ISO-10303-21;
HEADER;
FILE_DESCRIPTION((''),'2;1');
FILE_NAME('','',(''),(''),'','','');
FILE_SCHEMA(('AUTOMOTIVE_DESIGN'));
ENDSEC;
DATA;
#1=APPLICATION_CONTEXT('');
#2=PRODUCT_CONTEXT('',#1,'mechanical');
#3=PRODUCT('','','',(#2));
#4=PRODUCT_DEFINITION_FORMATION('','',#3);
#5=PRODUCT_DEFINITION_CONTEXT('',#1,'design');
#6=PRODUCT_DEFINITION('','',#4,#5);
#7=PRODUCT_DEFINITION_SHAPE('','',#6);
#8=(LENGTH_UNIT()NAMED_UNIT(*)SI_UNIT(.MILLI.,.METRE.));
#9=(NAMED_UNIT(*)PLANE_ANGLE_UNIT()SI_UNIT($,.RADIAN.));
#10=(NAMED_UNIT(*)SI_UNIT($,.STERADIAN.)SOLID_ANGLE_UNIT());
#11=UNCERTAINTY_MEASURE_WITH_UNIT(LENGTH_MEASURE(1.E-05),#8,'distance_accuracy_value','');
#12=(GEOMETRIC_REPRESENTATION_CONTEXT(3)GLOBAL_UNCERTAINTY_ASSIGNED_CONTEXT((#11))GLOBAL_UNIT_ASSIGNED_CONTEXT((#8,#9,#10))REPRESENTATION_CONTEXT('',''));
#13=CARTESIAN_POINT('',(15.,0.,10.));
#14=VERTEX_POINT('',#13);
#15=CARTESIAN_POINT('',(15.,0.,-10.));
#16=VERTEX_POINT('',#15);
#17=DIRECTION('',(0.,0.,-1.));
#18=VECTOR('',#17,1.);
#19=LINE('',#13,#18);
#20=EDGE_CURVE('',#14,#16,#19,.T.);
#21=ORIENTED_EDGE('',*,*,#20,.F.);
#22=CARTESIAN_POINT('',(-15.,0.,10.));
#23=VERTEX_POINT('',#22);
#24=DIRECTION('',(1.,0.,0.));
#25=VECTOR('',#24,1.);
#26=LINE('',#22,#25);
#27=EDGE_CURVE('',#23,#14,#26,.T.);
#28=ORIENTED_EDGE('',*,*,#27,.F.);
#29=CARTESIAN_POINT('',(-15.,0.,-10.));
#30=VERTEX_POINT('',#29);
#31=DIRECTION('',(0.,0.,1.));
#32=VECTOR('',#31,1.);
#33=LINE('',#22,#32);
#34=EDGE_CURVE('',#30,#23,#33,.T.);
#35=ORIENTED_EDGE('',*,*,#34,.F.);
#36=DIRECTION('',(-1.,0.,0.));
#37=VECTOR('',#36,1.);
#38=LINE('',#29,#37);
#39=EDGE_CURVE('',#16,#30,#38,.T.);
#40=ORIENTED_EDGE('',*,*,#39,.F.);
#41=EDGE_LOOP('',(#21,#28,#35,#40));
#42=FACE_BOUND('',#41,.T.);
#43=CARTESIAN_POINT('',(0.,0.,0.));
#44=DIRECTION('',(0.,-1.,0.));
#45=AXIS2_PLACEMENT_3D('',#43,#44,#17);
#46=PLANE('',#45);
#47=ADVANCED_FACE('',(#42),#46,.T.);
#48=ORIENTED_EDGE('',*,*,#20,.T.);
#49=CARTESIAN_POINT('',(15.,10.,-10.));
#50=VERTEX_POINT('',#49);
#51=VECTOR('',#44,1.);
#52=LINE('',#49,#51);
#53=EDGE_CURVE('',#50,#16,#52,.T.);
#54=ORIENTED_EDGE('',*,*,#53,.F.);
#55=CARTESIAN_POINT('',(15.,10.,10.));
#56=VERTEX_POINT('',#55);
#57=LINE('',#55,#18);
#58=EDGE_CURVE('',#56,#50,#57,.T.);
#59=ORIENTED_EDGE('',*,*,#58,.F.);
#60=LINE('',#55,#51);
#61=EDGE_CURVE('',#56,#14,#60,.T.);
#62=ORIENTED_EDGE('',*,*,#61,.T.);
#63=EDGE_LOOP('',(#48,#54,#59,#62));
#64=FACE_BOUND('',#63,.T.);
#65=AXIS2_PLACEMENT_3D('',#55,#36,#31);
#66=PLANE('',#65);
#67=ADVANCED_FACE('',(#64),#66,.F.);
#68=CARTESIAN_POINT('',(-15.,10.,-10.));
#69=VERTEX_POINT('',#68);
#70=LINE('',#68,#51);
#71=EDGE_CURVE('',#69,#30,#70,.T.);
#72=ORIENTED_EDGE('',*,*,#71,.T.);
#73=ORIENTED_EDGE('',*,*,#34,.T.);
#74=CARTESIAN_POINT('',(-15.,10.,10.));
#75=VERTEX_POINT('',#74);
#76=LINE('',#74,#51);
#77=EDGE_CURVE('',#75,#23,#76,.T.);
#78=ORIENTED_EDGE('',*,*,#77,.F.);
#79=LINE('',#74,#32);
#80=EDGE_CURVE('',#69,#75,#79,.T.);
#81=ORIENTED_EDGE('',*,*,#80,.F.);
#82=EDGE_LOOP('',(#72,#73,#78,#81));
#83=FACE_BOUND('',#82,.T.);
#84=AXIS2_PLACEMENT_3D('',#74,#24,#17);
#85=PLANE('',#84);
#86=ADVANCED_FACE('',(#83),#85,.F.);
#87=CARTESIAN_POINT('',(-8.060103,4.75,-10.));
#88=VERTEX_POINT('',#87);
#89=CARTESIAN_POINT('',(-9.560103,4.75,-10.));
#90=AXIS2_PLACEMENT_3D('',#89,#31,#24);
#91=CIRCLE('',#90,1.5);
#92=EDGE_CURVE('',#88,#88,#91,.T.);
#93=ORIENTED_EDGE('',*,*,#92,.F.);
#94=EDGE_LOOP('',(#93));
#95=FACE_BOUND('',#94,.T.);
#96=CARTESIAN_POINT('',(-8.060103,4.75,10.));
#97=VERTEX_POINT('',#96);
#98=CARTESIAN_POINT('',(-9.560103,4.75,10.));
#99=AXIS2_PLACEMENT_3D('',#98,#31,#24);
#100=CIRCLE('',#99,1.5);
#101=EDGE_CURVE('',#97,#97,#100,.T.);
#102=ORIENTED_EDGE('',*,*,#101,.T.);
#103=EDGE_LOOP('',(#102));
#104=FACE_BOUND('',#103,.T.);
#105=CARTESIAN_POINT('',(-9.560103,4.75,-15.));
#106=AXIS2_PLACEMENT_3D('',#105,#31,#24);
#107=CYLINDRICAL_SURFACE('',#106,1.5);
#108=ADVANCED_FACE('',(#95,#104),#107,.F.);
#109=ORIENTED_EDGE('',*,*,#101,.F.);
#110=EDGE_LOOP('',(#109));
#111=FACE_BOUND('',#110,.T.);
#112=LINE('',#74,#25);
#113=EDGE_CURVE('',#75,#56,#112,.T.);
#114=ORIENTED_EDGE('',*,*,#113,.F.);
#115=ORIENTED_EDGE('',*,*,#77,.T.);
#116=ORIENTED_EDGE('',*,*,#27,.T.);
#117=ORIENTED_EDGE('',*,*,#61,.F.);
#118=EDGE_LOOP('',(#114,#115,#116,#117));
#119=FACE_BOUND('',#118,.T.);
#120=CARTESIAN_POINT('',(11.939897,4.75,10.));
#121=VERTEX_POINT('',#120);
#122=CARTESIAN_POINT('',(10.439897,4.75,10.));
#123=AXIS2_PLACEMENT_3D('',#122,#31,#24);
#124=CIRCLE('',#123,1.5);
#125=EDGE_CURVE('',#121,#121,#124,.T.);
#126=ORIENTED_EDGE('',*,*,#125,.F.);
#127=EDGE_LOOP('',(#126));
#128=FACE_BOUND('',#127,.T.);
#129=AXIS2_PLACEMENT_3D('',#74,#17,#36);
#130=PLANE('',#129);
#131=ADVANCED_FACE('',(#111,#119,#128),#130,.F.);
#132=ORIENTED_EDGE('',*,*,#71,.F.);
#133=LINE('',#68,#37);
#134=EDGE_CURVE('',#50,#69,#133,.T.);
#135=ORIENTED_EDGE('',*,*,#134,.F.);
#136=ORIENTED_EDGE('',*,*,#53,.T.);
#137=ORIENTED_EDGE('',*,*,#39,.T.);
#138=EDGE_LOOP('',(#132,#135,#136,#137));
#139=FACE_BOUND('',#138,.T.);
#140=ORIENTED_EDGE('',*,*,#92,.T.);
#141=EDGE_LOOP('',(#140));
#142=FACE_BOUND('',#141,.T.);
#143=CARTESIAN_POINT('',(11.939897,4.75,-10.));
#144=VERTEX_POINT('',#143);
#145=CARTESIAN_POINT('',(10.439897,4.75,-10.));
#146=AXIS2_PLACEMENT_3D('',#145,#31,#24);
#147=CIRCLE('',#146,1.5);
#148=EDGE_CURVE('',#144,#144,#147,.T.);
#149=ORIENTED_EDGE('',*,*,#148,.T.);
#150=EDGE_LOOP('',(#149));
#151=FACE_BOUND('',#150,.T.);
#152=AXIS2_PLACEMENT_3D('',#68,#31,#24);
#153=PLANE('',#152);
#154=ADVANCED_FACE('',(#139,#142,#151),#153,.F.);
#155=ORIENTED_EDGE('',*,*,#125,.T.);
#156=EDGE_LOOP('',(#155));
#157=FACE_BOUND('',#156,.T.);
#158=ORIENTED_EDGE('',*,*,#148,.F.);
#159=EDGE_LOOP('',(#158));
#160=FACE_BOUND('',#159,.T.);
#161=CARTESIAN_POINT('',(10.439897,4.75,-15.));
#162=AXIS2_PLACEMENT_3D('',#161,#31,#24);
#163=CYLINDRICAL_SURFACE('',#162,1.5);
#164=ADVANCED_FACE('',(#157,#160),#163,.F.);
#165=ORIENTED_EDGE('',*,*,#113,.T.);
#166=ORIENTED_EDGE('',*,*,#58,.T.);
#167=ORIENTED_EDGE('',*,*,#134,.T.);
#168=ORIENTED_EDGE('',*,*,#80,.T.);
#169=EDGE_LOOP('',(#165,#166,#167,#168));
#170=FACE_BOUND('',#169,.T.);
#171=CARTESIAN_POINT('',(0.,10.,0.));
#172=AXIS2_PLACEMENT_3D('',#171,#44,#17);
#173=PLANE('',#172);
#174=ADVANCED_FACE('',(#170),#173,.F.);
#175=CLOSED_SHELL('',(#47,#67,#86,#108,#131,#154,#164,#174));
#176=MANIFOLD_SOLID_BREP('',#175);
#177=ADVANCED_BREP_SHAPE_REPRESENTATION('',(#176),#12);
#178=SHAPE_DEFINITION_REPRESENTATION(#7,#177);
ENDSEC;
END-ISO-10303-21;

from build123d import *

# Parameters (mm, degrees)
SKETCH_1_W          = 30
SKETCH_1_H          = 20
EXTRUDE_1_DEPTH     = 10
SKETCH_2_R          = 1.5
CUT_EXTRUDE_1_DEPTH = 25


with BuildPart() as part:
    # 草图1 → 凸台-拉伸1 (new body)
    with BuildSketch(Plane(origin=(0, 0, 0), x_dir=(1, 0, 0), z_dir=(0, 1, 0))):
        Rectangle(SKETCH_1_W, SKETCH_1_H)
    extrude(amount=EXTRUDE_1_DEPTH)

    # 草图2 → 切除-拉伸1 (cut)
    with BuildSketch(Plane.XY.offset(10)):
        with Locations((-9.560103169, 4.75)):
            Circle(SKETCH_2_R)
        with Locations((10.439896831, 4.75)):
            Circle(SKETCH_2_R)
    extrude(amount=-CUT_EXTRUDE_1_DEPTH, mode=Mode.SUBTRACT)


solid = part.part
